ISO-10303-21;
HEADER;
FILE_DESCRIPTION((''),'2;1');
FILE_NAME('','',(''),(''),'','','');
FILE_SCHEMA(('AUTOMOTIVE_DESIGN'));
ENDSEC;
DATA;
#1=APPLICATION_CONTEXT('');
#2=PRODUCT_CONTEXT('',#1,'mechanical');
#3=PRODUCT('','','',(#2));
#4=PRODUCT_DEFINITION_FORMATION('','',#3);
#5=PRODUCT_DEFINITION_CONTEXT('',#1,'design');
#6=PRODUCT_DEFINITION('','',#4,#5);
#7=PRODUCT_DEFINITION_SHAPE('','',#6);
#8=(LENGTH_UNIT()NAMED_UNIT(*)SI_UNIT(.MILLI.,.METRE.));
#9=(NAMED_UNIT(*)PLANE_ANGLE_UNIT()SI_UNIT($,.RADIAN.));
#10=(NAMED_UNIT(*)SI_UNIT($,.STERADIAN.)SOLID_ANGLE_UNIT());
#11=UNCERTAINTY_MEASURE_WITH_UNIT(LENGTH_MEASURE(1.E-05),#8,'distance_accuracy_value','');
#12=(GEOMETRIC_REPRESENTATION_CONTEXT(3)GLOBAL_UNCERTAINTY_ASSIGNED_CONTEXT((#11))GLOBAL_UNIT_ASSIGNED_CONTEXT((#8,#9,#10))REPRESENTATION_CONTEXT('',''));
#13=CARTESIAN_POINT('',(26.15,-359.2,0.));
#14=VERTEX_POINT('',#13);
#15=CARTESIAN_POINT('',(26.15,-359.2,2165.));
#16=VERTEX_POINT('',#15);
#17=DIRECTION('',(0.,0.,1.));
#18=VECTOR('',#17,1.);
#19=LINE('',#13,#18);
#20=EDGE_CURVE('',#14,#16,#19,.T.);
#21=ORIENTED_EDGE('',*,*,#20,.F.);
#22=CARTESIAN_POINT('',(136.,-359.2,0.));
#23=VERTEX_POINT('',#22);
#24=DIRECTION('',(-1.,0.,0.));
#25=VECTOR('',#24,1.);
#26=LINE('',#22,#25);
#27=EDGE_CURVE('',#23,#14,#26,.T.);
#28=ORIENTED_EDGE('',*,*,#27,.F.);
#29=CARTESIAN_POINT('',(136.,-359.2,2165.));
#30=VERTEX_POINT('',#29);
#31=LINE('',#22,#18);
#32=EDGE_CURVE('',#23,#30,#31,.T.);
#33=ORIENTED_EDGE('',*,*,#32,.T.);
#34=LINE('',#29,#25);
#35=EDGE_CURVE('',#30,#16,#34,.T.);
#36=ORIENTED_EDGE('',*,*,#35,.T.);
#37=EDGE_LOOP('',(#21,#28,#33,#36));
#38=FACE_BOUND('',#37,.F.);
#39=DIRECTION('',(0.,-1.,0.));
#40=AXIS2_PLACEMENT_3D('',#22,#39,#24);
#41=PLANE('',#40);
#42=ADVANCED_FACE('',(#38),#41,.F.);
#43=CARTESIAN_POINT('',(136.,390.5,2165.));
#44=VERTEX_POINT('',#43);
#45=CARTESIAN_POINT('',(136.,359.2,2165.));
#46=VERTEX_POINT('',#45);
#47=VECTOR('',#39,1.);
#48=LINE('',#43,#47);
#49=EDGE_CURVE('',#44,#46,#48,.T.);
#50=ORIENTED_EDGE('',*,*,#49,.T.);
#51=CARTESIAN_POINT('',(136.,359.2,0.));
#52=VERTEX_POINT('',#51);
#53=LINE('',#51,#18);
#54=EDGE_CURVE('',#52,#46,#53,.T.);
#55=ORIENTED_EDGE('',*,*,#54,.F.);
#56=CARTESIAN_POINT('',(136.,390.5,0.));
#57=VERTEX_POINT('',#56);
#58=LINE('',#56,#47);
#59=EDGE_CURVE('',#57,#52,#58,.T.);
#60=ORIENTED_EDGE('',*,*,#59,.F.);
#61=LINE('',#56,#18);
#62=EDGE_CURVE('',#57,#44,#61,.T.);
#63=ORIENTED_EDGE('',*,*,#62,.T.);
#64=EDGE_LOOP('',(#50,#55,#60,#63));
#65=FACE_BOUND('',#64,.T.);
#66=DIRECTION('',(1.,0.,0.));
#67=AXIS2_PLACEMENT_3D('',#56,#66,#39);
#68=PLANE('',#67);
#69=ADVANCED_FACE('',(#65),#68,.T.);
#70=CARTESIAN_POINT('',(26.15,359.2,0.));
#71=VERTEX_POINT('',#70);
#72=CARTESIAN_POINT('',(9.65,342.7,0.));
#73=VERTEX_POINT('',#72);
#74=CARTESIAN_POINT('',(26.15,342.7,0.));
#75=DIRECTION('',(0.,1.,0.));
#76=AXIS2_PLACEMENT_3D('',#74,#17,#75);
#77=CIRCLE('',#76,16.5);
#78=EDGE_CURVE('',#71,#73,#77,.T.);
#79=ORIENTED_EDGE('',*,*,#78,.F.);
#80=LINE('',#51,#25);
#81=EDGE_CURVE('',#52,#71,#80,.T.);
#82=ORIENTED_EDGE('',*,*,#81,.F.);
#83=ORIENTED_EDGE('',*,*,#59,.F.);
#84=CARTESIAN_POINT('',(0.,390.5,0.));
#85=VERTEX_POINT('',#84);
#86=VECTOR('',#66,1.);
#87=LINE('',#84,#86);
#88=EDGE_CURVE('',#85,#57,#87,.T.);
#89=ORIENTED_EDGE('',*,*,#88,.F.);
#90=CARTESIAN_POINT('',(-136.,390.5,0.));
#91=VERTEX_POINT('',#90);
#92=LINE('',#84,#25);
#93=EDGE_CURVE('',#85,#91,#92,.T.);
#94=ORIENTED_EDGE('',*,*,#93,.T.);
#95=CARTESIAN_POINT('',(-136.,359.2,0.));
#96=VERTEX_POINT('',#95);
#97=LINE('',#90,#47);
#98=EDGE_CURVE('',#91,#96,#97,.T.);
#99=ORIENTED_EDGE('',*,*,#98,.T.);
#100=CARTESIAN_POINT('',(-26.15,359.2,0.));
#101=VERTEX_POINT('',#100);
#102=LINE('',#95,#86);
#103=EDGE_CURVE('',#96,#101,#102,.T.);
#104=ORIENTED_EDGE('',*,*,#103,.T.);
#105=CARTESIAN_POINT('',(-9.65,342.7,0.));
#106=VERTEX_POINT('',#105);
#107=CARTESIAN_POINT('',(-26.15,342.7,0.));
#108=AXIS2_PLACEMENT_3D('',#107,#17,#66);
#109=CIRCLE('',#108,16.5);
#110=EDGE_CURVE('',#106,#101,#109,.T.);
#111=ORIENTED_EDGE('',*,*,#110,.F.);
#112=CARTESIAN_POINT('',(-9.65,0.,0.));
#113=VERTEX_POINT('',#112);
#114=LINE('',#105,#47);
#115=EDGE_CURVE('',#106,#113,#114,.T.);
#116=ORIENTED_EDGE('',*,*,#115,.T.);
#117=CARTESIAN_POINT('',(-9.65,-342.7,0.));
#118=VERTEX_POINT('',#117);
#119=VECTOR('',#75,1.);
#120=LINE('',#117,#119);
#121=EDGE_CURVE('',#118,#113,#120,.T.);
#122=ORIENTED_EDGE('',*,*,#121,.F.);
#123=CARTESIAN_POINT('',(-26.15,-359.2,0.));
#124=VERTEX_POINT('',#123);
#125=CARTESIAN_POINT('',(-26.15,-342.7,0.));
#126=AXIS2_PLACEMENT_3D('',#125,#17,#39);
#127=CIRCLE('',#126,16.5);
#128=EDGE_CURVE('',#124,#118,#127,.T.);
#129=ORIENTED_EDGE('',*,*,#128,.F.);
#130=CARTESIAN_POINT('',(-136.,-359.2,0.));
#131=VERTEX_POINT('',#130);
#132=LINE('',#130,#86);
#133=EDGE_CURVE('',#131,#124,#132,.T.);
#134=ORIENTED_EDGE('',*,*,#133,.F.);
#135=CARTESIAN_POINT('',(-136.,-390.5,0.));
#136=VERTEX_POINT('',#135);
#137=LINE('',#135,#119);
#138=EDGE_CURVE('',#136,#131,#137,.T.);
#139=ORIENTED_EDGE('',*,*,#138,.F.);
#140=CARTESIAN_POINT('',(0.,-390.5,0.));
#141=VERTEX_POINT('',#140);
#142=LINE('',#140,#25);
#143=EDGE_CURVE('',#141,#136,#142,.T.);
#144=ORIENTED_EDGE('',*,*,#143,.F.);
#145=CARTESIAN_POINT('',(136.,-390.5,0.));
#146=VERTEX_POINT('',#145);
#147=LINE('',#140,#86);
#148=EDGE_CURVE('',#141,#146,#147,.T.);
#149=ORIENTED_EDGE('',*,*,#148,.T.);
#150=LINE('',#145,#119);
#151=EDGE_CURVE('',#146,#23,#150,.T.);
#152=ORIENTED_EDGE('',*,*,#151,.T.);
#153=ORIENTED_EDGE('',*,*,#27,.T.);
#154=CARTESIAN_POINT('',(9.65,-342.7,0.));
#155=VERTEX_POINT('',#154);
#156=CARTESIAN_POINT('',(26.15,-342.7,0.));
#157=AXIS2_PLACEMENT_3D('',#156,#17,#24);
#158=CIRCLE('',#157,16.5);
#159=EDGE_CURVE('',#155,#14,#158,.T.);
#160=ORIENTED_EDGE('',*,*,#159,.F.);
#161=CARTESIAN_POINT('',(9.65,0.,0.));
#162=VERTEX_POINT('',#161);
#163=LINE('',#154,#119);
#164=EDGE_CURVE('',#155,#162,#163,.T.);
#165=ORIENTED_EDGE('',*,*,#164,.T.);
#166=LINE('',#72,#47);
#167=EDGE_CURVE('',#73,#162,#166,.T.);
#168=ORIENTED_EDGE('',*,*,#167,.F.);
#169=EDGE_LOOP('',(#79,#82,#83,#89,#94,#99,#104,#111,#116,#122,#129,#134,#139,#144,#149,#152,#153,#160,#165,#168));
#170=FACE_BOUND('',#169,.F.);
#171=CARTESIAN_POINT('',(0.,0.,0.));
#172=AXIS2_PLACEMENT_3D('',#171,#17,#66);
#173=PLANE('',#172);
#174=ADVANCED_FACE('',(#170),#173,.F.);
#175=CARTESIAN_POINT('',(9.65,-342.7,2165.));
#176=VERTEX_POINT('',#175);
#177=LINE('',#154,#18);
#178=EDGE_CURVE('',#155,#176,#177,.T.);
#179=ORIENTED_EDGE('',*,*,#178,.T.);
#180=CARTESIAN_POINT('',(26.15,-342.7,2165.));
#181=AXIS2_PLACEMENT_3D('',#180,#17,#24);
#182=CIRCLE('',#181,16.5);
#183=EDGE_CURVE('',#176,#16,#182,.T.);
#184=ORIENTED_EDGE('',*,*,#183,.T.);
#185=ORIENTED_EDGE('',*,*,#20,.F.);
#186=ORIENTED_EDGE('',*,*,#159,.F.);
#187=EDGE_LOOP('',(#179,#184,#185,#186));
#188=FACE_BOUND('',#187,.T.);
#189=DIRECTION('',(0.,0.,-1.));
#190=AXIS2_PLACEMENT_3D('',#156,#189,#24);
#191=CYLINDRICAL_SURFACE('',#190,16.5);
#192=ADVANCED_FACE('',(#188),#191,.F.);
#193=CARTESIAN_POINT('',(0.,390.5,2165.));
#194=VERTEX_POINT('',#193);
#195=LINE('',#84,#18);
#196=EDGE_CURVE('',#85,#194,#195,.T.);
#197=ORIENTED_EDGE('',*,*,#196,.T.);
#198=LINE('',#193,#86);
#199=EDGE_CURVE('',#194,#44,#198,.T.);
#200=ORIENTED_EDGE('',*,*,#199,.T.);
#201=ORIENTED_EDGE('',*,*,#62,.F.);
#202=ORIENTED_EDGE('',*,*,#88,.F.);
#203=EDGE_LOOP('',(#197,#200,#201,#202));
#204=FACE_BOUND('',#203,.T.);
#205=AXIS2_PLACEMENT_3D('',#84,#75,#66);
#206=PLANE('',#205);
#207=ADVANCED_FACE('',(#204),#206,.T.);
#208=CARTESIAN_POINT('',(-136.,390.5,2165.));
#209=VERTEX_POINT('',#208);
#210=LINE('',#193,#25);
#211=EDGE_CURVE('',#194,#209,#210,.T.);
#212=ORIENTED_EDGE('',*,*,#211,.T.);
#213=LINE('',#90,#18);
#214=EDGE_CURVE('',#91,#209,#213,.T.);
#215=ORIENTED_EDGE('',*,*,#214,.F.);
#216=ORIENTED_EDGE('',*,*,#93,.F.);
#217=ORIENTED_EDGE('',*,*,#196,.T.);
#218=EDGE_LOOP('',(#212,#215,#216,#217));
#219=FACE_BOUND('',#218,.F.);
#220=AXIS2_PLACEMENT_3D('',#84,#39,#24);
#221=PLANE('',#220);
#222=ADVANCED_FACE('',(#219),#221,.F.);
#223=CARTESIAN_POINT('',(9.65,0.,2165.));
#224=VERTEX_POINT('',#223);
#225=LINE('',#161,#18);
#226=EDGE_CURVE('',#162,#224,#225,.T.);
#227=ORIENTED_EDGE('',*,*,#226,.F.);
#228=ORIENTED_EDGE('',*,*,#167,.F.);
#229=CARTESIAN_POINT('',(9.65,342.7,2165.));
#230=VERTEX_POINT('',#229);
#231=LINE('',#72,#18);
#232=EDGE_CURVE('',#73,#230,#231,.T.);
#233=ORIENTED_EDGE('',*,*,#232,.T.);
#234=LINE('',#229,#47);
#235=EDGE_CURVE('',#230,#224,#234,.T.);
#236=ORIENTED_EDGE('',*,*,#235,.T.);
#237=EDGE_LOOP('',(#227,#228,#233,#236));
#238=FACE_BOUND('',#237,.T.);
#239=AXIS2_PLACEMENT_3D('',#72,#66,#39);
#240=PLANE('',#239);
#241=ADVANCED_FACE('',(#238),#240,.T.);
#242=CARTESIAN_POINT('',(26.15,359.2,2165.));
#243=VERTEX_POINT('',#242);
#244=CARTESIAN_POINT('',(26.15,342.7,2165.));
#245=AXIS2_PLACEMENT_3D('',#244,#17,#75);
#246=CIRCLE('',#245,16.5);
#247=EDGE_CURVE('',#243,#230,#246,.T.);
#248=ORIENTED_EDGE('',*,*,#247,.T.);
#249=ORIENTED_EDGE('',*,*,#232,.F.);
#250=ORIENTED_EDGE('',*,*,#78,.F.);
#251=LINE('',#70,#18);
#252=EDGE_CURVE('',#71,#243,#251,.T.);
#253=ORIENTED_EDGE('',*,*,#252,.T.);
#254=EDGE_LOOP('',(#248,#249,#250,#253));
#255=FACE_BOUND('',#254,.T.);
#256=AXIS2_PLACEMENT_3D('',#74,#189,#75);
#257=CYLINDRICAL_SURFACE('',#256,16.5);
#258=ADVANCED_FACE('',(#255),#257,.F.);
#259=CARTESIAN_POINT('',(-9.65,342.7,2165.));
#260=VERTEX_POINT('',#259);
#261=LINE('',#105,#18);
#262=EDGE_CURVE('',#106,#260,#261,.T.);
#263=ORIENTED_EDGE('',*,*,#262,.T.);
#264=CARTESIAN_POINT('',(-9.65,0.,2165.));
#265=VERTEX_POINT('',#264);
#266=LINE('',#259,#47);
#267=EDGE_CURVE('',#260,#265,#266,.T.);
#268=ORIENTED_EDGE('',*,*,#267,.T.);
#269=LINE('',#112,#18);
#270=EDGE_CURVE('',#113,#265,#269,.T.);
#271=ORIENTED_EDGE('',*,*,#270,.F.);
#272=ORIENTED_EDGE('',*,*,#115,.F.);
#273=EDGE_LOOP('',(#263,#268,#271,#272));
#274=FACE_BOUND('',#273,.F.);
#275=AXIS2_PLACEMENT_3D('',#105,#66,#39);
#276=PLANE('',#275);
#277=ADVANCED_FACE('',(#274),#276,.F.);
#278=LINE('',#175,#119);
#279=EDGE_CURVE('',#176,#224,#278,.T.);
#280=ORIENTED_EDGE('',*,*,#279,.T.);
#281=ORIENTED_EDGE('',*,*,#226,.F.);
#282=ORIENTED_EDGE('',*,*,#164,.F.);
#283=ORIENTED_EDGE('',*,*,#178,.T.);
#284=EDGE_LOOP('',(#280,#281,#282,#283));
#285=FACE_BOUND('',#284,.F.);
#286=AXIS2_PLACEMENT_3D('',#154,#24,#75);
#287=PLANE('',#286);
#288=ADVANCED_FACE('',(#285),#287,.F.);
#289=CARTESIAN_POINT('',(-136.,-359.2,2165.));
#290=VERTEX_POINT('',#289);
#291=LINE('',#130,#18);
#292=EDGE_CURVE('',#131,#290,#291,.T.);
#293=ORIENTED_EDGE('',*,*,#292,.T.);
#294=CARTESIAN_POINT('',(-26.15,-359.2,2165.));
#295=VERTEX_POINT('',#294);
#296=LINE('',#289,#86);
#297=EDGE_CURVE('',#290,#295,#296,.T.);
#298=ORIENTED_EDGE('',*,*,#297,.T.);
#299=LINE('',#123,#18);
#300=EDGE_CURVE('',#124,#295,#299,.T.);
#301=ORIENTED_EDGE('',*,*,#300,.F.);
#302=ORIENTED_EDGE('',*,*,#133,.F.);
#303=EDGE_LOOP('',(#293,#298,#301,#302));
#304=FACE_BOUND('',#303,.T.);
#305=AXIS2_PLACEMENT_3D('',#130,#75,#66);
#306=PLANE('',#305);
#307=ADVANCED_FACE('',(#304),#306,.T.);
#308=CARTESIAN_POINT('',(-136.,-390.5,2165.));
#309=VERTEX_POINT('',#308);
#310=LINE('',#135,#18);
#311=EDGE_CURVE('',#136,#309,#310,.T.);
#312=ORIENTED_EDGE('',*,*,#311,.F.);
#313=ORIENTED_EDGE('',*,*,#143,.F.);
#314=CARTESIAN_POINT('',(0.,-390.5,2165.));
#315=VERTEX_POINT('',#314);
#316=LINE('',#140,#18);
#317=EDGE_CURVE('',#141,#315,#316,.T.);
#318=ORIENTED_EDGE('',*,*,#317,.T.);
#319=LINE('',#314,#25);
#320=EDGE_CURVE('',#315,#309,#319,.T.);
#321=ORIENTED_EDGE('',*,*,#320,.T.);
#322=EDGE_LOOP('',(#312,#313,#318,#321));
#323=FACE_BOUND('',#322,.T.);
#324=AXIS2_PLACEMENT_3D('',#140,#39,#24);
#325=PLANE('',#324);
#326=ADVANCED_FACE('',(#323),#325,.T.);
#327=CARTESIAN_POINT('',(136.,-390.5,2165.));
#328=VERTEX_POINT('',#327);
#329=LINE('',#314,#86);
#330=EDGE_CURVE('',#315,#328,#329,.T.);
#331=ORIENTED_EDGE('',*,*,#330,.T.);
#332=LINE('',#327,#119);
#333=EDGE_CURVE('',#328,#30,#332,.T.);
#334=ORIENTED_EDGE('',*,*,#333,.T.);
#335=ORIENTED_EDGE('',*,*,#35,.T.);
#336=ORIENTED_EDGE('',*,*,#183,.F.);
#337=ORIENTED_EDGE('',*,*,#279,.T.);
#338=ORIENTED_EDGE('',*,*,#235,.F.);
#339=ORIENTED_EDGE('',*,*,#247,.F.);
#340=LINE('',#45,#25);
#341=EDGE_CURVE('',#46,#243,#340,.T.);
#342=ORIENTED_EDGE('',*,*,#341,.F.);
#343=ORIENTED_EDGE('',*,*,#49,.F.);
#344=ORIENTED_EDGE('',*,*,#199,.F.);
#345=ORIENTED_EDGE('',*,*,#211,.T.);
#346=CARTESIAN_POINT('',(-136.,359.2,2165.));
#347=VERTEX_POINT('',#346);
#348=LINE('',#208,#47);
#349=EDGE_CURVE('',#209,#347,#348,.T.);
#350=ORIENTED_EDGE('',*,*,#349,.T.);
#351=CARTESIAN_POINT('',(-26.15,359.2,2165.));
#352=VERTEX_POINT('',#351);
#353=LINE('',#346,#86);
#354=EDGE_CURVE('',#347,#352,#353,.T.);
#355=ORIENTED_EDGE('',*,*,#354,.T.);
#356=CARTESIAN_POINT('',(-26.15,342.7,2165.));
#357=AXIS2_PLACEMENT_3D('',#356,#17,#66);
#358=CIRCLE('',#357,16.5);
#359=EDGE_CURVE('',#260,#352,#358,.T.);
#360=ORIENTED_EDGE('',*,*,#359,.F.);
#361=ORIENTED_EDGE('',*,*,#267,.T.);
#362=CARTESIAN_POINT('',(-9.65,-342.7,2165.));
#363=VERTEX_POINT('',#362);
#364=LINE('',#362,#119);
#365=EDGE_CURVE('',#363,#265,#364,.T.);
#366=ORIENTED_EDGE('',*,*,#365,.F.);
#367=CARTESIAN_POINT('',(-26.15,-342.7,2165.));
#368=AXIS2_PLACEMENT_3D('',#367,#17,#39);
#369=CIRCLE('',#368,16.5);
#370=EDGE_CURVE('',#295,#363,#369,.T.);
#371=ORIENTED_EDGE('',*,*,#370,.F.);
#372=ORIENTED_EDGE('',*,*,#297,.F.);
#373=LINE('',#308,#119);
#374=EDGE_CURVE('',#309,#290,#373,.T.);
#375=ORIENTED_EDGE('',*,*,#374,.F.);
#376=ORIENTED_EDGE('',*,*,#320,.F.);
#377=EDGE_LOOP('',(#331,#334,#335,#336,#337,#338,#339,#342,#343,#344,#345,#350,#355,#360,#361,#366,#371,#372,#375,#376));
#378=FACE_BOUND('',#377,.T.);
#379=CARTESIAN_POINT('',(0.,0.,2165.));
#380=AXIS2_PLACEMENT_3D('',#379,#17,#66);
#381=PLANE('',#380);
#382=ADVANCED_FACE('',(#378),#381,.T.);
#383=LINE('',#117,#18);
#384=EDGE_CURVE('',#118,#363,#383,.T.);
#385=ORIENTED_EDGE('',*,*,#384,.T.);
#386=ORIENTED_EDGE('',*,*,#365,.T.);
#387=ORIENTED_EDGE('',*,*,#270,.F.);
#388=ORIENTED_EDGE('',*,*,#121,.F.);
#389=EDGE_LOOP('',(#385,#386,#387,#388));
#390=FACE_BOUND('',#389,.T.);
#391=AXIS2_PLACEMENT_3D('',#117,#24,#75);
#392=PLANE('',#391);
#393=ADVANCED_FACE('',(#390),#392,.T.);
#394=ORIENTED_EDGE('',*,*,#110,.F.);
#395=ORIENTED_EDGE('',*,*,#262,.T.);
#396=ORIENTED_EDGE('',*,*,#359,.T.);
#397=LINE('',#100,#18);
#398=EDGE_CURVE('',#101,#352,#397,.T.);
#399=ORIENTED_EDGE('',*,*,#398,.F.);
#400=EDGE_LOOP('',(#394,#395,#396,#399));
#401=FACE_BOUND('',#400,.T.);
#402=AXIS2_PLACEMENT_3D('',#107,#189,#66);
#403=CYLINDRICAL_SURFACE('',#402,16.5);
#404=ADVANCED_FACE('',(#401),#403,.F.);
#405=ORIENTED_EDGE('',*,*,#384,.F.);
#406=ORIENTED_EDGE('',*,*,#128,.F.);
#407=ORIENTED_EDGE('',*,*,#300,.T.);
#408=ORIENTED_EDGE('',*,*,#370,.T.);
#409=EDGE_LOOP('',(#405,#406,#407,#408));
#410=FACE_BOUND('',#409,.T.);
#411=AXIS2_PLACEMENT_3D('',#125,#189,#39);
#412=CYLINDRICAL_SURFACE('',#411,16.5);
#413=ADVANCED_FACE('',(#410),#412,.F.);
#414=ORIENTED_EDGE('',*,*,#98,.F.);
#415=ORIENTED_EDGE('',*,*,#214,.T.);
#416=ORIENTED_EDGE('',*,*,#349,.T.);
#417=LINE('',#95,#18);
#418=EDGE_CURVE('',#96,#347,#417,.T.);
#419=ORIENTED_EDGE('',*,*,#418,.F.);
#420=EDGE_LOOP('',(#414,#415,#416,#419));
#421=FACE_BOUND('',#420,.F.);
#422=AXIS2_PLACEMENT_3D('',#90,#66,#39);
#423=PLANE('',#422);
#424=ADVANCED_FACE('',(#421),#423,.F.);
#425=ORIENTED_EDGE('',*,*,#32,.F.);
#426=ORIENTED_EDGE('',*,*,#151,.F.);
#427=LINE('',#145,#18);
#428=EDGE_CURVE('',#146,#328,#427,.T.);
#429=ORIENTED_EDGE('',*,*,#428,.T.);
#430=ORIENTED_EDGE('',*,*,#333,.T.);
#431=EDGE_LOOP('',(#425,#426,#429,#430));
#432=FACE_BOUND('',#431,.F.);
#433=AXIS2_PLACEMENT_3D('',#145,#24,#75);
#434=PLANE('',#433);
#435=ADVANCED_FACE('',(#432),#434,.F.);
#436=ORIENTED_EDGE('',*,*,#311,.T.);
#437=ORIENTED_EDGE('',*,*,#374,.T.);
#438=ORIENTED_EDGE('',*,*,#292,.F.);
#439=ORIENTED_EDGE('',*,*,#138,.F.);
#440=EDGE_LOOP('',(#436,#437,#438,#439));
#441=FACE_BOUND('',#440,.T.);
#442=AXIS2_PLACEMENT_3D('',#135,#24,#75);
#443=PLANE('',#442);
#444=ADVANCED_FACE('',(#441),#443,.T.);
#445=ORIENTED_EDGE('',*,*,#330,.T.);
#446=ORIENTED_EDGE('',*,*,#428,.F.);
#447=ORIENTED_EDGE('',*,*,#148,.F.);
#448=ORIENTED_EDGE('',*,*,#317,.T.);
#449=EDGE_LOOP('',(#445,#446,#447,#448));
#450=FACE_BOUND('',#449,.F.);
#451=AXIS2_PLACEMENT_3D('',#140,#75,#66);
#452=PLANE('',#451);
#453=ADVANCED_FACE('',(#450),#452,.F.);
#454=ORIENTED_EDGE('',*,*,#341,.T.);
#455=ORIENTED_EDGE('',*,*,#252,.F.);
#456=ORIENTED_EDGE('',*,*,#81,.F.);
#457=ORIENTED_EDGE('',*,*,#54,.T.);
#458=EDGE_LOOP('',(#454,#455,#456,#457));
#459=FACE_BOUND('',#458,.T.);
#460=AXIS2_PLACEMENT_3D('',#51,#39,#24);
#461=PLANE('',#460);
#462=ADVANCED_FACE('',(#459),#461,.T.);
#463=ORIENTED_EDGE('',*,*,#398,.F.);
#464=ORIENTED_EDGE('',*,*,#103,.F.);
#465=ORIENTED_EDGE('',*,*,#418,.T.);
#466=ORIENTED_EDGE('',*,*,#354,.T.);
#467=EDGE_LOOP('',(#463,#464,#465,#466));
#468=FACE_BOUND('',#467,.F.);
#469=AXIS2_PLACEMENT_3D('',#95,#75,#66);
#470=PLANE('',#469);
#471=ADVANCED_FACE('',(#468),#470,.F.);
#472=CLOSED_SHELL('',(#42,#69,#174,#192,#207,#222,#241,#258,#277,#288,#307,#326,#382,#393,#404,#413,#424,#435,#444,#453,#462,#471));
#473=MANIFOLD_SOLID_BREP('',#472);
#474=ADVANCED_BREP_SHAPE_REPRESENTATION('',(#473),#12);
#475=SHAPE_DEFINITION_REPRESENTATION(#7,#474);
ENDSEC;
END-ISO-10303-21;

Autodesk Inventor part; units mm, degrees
ref_plane "YZ Plane" through (0, 0, 0) normal (1, 0, 0) x (0, 1, 0)
ref_plane "Start plane" through (0, 0, 0) normal (0, 0, 1) x (1, 0, 0)
ref_plane "End plane" through (0, 0, 2165) normal (0, 0, 1) x (1, 0, 0)
sketch "Sketch" plane through (0, 0, 0) normal (0, 0, 1) x (1, 0, 0)
  line L0 (-136, -390.5) -> (-136, -359.2)
  line L1 (-136, -359.2) -> (-26.15, -359.2)
  line L2 (-9.65, -342.7) -> (-9.65, 0)
  line L3 (-9.65, 0) -> (0, 0) construction
  line L4 (0, 0) -> (0, -390.5) construction
  line L5 (0, -390.5) -> (-136, -390.5)
  line L6 (-60, 0) -> (80, 0) construction
  line L7 (0, -60) -> (0, 80) construction
  line L8 (136, -390.5) -> (136, -359.2)
  line L9 (136, -359.2) -> (26.15, -359.2)
  line L10 (9.65, -342.7) -> (9.65, 0)
  line L11 (9.65, 0) -> (0, 0) construction
  line L12 (0, -390.5) -> (136, -390.5)
  line L13 (-136, 390.5) -> (-136, 359.2)
  line L14 (-136, 359.2) -> (-26.15, 359.2)
  line L15 (-9.65, 342.7) -> (-9.65, 0)
  line L16 (0, 390.5) -> (-136, 390.5)
  line L17 (136, 390.5) -> (136, 359.2)
  line L18 (136, 359.2) -> (26.15, 359.2)
  line L19 (0, 390.5) -> (136, 390.5)
  line L20 (9.65, 342.7) -> (9.65, 0)
  arc A0 (-9.65, 342.7) -> (-26.15, 359.2) centre (-26.15, 342.7) ccw
  arc A1 (26.15, 359.2) -> (9.65, 342.7) centre (26.15, 342.7) ccw
  arc A2 (9.65, -342.7) -> (26.15, -359.2) centre (26.15, -342.7) ccw
  arc A3 (-26.15, -359.2) -> (-9.65, -342.7) centre (-26.15, -342.7) ccw
  line L21 (0, 108) -> (0, -88) construction
  line L22 (-88, 0) -> (108, 0) construction
  point P0 (-9.65, -359.2)
  point P1 (9.65, -359.2)
  point P2 (-9.65, 359.2)
  point P3 (9.65, 359.2)
  dimension "d1" = 390.5
  dimension "d2" = 31.3
  dimension "d3" = 136
  dimension "d4" = 9.65
  dimension "d10" = 16.5
extrude "Body" add sketch "Sketch" along normal up to surface (2165 mm away) from surface at 0
sketch "Sketch4" plane through (0, 0, 0) normal (0, 0, 1) x (1, 0, 0)
  line L0 (0, 0) -> (10, 0)
ref_plane "Work Plane3" through (0, 0, 0) normal (0, -1, 0) x (1, 0, 0)
sketch "Sketch5" plane through (0, 0, 0) normal (0, -1, 0) x (1, 0, 0)
  line L0 (-2, 0) -> (12, 0) projected
  line L1 (-2, 2165) -> (12, 2165) projected
  dimension "d14" = 2165
equation "\"d1\" = 0.5 * G_H"
equation "\"d2\" = G_T1"
equation "\"d3\" = 0.5 * G_W"
equation "\"d4\" = 0.5 * G_T"
equation "\"d10\" = G_IR"
equation "\"d5\" = G_L"
equation "\"G_W\" = 272"
equation "\"G_H\" = 781"
equation "\"G_T\" = 19.3"
equation "\"G_T1\" = 31.3"
equation "\"G_IR\" = 16.5"
equation "\"G_L\" = d14"
equation "\"G_OFFSET_START\" = 0"
equation "\"G_OFFSET_END\" = 0"
equation "\"d12\" = G_OFFSET_END + B_L"
equation "\"B_L\" = 2165"
properties part number "AS 3679-1990 - 760 UB - 244 - 2165" material "Steel, Mild"
